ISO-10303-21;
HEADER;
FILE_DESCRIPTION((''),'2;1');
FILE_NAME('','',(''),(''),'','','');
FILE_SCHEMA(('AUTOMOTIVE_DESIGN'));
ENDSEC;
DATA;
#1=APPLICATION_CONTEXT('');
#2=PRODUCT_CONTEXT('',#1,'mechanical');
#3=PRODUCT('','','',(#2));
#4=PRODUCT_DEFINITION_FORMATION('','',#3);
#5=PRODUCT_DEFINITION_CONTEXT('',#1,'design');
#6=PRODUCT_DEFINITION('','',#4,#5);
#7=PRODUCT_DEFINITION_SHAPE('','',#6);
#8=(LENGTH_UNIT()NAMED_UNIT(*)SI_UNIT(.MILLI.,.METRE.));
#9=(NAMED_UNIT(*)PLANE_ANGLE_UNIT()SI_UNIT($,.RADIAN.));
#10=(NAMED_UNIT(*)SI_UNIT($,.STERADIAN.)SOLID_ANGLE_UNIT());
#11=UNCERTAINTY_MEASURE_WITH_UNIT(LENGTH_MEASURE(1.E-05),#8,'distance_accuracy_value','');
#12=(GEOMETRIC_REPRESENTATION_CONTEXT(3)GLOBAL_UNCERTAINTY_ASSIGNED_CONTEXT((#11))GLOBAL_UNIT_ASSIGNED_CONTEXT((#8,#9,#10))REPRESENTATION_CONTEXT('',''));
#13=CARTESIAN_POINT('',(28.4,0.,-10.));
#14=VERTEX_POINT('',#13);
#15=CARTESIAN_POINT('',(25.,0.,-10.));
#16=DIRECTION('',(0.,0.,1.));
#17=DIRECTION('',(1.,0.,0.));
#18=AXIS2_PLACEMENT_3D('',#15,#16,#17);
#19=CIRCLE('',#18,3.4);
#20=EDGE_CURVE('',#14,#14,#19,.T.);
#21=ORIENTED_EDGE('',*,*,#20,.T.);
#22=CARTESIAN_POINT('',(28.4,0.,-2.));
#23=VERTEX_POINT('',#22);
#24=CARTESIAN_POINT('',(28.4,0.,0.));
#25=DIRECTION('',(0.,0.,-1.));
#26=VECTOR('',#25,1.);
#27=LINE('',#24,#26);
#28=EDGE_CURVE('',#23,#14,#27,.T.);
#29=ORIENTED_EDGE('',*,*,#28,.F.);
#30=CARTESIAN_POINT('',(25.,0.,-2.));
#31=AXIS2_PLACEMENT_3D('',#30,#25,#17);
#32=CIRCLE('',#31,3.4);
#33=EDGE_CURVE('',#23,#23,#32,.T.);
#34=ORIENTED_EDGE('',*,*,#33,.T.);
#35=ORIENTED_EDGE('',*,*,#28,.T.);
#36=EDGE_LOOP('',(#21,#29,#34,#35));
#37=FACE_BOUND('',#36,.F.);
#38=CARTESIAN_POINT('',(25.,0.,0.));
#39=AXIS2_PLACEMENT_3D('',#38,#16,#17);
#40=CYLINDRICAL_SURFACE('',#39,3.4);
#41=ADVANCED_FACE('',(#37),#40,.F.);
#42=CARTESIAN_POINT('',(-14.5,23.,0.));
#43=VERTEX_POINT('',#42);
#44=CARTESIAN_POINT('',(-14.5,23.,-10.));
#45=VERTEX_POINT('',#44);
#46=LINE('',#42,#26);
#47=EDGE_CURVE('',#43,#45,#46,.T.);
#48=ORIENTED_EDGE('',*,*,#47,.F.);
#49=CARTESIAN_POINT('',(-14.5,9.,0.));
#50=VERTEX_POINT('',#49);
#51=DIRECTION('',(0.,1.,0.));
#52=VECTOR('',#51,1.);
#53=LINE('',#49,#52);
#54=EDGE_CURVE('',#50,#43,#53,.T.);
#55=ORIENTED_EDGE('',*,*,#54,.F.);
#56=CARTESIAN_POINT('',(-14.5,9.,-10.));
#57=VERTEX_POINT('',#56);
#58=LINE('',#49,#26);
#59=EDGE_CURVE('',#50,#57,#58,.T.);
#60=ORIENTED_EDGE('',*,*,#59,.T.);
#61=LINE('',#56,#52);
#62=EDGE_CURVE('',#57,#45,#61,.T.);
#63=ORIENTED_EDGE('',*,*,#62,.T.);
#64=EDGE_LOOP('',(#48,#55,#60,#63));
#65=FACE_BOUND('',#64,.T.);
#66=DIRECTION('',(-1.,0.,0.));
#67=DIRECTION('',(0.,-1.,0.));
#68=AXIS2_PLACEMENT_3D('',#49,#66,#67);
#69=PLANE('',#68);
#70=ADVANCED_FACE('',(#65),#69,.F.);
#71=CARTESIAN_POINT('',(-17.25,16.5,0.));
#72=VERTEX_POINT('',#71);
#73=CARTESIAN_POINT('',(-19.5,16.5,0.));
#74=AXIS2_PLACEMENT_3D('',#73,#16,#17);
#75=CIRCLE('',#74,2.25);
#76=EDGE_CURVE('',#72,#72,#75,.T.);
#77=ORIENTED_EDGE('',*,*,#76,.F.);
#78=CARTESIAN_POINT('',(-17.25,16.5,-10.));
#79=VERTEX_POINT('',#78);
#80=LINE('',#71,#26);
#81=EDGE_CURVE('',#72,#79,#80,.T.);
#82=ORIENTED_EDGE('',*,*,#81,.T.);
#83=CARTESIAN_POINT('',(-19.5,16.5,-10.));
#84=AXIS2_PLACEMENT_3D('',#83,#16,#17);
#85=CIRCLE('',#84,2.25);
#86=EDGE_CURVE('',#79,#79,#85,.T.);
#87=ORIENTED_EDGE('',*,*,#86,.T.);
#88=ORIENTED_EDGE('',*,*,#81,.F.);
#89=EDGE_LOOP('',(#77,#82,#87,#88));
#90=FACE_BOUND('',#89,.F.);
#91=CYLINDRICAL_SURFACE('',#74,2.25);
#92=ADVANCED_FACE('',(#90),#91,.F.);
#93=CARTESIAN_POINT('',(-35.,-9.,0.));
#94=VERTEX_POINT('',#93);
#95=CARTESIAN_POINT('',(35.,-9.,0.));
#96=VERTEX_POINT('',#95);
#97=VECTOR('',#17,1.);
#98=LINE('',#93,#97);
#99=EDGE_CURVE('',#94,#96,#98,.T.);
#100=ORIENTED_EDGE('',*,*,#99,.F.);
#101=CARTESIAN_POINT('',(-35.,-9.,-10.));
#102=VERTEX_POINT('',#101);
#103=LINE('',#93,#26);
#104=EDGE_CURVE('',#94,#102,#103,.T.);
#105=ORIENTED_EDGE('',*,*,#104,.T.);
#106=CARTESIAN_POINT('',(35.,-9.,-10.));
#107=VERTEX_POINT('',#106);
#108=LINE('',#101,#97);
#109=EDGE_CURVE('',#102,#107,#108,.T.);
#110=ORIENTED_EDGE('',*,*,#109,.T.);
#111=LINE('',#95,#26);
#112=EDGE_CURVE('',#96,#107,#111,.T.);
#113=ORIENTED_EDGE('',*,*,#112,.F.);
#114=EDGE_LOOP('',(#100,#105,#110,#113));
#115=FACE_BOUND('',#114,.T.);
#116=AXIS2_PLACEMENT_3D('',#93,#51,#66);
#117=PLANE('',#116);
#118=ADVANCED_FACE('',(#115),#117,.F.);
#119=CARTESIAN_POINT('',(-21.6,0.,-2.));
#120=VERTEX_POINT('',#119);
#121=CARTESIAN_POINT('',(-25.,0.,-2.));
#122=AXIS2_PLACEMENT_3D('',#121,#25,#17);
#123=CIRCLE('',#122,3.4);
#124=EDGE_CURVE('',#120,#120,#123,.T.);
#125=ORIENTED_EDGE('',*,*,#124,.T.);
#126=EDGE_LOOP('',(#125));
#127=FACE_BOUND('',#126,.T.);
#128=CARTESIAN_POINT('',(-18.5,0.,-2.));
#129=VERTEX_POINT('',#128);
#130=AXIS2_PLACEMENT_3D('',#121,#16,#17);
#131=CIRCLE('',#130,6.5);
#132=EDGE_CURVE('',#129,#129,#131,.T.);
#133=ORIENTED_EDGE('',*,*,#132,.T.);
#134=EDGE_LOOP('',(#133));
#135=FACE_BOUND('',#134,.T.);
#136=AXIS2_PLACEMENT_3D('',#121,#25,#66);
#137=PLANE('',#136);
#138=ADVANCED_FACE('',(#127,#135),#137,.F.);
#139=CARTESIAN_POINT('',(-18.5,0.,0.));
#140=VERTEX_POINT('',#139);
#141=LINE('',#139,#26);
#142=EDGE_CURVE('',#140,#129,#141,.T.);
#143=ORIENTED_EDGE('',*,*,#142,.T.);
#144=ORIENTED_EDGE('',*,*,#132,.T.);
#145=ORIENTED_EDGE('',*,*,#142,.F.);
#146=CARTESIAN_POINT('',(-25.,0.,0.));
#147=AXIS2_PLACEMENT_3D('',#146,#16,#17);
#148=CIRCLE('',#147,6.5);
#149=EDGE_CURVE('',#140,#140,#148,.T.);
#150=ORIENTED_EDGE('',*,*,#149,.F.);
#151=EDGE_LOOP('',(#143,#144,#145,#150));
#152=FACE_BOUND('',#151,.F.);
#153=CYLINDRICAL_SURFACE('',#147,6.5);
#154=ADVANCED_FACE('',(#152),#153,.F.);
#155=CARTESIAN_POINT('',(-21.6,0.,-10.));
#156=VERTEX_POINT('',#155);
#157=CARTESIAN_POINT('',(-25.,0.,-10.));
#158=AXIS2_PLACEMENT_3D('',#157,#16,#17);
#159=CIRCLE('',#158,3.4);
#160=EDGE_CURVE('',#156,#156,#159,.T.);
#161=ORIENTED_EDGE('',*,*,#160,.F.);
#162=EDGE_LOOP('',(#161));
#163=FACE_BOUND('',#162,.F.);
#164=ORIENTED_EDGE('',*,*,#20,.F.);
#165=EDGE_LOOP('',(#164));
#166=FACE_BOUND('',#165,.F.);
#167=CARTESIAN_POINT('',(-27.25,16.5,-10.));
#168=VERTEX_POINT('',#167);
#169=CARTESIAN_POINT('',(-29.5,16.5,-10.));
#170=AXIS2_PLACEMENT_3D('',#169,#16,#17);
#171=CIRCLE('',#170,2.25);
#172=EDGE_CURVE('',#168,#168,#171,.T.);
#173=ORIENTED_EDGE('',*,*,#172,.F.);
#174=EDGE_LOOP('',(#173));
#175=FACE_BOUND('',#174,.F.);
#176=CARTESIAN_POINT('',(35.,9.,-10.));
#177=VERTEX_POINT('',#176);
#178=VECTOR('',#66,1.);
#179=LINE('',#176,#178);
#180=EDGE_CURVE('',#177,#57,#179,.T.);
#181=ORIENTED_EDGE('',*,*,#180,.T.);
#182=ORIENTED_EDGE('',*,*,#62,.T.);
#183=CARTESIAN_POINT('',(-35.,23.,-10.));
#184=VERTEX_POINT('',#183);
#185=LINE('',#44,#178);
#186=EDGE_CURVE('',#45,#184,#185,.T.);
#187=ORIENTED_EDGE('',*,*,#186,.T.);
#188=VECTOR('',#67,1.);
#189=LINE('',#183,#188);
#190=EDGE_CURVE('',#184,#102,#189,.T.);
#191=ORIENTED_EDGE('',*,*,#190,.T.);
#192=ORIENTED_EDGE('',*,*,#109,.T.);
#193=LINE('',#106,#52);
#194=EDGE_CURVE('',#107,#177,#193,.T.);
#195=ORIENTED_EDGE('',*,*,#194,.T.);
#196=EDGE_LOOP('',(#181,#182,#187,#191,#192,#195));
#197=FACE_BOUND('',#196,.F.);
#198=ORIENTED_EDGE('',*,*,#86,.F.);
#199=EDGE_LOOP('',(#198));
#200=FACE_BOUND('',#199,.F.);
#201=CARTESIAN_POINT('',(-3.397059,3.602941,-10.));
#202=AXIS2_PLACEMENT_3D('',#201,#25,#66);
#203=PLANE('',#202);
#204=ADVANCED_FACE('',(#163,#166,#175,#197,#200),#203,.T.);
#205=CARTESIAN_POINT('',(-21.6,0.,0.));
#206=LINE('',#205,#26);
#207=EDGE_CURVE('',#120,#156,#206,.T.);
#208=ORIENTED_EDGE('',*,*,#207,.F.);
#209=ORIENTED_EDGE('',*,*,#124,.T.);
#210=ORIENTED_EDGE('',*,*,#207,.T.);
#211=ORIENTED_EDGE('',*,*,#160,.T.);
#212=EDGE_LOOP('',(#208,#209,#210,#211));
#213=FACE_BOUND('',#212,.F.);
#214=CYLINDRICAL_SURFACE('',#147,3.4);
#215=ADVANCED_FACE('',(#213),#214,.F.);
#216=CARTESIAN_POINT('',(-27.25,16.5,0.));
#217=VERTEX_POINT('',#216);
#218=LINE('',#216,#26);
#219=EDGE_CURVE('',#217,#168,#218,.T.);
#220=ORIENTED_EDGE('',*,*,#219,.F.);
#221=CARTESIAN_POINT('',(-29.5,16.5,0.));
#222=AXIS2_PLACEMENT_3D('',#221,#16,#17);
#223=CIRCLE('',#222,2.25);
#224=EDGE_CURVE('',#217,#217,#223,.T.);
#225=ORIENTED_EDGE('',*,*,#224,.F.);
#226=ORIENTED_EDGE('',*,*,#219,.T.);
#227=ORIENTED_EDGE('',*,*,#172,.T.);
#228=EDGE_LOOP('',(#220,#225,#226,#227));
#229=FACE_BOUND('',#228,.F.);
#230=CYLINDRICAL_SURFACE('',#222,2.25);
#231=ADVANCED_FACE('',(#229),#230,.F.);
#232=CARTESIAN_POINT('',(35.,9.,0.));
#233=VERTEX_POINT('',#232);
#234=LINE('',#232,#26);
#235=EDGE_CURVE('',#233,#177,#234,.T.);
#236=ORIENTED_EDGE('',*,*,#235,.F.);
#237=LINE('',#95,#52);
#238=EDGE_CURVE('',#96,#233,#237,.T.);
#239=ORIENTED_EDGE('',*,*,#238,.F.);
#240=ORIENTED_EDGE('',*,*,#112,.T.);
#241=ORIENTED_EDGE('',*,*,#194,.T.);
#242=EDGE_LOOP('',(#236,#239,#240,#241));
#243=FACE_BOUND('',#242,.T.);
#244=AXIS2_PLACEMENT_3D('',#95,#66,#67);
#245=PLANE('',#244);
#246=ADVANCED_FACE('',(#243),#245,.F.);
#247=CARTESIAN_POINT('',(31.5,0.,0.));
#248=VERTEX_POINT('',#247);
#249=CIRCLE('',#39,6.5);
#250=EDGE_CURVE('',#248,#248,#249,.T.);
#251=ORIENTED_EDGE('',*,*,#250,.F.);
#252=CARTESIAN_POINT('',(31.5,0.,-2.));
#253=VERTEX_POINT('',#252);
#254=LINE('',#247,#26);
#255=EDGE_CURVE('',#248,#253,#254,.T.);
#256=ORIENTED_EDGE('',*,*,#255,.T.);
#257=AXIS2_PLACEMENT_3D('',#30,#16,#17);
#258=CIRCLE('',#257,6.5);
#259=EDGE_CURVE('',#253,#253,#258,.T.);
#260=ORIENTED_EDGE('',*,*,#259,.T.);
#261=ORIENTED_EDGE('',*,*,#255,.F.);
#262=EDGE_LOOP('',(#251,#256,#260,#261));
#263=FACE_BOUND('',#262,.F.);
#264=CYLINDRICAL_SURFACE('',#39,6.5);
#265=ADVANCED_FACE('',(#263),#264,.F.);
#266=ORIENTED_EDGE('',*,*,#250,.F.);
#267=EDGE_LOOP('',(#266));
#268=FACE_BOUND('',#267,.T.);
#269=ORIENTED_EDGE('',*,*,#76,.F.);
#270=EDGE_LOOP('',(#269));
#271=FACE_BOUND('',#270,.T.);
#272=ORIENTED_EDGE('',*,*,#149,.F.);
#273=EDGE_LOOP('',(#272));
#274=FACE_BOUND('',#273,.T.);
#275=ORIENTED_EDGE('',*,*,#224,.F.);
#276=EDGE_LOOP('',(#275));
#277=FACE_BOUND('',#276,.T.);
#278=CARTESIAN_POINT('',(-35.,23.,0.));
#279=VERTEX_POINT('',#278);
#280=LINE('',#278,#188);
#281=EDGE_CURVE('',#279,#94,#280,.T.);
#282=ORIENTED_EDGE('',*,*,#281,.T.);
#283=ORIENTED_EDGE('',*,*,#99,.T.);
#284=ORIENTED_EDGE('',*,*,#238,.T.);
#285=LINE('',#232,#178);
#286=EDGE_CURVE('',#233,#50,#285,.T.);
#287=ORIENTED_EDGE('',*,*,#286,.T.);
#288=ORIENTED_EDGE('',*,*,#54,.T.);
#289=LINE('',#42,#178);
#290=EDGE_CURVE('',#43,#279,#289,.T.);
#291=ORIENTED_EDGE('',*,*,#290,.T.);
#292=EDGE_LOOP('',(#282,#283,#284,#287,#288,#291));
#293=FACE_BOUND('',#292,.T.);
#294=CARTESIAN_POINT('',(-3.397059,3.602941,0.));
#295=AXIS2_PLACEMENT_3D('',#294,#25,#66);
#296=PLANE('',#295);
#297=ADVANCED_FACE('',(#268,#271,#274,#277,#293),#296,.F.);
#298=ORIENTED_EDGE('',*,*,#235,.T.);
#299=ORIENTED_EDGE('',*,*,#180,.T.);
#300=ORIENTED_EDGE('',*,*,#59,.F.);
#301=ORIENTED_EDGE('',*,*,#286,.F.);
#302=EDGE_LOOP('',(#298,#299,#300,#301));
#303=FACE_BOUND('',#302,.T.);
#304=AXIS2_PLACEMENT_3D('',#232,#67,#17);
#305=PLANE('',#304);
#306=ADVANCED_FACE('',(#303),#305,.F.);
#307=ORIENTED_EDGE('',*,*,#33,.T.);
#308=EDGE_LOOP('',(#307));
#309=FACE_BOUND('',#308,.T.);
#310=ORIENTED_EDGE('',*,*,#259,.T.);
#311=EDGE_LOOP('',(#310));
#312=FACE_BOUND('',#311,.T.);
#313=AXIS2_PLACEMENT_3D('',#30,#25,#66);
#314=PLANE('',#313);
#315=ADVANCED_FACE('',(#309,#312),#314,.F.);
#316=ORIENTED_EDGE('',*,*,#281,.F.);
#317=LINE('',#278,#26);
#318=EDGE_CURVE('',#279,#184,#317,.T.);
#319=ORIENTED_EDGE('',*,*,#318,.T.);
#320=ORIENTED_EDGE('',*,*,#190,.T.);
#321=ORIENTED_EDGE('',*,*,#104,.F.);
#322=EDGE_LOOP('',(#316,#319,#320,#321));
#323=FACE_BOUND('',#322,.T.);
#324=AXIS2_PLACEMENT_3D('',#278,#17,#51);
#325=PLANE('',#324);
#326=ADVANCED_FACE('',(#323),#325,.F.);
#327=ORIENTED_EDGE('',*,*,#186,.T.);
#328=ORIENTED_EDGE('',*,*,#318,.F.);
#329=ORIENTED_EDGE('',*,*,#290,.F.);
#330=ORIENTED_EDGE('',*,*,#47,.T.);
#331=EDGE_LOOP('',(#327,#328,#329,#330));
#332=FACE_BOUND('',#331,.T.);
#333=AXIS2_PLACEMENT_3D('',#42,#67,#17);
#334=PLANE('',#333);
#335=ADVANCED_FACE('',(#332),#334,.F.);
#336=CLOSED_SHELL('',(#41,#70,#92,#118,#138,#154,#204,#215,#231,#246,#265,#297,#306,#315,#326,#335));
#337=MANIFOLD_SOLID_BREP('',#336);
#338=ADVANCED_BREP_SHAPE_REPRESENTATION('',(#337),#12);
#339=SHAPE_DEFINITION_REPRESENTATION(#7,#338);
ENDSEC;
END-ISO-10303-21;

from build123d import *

# Parameters (mm, degrees)
SKETCH069_R     = 2.25
SKETCH069_R_2   = 3.4
PAD046_DEPTH    = 10
SKETCH070_R     = 6.5
POCKET019_DEPTH = 2


with BuildPart() as body_7_body:
    # Sketch069 → Pad046 (new body)
    with BuildSketch(Plane.XY):
        Polygon((-35, 23), (-35, -9), (35, -9), (35, 9), (-14.5, 9), (-14.5, 23), align=None)
        with Locations((-29.5, 16.5)):
            Circle(SKETCH069_R, mode=Mode.SUBTRACT)
        with Locations((-19.5, 16.5)):
            Circle(SKETCH069_R, mode=Mode.SUBTRACT)
        with Locations((-25, 0)):
            Circle(SKETCH069_R_2, mode=Mode.SUBTRACT)
        with Locations((25, 0)):
            Circle(SKETCH069_R_2, mode=Mode.SUBTRACT)
    extrude(amount=PAD046_DEPTH)

    # Sketch070 → Pocket019 (cut)
    with BuildSketch(Plane.XY):
        with Locations((-25, 0)):
            Circle(SKETCH070_R)
        with Locations((25, 0)):
            Circle(SKETCH070_R)
    extrude(amount=POCKET019_DEPTH, mode=Mode.SUBTRACT)


with BuildPart() as part_mirroring:
    # Part__Mirroring: instance of Body_7 body
    add(body_7_body.part.mirror(Plane(origin=(0, 0, 0), x_dir=(0, 1, 0), z_dir=(0, 0, 1))))


solid = part_mirroring.part
